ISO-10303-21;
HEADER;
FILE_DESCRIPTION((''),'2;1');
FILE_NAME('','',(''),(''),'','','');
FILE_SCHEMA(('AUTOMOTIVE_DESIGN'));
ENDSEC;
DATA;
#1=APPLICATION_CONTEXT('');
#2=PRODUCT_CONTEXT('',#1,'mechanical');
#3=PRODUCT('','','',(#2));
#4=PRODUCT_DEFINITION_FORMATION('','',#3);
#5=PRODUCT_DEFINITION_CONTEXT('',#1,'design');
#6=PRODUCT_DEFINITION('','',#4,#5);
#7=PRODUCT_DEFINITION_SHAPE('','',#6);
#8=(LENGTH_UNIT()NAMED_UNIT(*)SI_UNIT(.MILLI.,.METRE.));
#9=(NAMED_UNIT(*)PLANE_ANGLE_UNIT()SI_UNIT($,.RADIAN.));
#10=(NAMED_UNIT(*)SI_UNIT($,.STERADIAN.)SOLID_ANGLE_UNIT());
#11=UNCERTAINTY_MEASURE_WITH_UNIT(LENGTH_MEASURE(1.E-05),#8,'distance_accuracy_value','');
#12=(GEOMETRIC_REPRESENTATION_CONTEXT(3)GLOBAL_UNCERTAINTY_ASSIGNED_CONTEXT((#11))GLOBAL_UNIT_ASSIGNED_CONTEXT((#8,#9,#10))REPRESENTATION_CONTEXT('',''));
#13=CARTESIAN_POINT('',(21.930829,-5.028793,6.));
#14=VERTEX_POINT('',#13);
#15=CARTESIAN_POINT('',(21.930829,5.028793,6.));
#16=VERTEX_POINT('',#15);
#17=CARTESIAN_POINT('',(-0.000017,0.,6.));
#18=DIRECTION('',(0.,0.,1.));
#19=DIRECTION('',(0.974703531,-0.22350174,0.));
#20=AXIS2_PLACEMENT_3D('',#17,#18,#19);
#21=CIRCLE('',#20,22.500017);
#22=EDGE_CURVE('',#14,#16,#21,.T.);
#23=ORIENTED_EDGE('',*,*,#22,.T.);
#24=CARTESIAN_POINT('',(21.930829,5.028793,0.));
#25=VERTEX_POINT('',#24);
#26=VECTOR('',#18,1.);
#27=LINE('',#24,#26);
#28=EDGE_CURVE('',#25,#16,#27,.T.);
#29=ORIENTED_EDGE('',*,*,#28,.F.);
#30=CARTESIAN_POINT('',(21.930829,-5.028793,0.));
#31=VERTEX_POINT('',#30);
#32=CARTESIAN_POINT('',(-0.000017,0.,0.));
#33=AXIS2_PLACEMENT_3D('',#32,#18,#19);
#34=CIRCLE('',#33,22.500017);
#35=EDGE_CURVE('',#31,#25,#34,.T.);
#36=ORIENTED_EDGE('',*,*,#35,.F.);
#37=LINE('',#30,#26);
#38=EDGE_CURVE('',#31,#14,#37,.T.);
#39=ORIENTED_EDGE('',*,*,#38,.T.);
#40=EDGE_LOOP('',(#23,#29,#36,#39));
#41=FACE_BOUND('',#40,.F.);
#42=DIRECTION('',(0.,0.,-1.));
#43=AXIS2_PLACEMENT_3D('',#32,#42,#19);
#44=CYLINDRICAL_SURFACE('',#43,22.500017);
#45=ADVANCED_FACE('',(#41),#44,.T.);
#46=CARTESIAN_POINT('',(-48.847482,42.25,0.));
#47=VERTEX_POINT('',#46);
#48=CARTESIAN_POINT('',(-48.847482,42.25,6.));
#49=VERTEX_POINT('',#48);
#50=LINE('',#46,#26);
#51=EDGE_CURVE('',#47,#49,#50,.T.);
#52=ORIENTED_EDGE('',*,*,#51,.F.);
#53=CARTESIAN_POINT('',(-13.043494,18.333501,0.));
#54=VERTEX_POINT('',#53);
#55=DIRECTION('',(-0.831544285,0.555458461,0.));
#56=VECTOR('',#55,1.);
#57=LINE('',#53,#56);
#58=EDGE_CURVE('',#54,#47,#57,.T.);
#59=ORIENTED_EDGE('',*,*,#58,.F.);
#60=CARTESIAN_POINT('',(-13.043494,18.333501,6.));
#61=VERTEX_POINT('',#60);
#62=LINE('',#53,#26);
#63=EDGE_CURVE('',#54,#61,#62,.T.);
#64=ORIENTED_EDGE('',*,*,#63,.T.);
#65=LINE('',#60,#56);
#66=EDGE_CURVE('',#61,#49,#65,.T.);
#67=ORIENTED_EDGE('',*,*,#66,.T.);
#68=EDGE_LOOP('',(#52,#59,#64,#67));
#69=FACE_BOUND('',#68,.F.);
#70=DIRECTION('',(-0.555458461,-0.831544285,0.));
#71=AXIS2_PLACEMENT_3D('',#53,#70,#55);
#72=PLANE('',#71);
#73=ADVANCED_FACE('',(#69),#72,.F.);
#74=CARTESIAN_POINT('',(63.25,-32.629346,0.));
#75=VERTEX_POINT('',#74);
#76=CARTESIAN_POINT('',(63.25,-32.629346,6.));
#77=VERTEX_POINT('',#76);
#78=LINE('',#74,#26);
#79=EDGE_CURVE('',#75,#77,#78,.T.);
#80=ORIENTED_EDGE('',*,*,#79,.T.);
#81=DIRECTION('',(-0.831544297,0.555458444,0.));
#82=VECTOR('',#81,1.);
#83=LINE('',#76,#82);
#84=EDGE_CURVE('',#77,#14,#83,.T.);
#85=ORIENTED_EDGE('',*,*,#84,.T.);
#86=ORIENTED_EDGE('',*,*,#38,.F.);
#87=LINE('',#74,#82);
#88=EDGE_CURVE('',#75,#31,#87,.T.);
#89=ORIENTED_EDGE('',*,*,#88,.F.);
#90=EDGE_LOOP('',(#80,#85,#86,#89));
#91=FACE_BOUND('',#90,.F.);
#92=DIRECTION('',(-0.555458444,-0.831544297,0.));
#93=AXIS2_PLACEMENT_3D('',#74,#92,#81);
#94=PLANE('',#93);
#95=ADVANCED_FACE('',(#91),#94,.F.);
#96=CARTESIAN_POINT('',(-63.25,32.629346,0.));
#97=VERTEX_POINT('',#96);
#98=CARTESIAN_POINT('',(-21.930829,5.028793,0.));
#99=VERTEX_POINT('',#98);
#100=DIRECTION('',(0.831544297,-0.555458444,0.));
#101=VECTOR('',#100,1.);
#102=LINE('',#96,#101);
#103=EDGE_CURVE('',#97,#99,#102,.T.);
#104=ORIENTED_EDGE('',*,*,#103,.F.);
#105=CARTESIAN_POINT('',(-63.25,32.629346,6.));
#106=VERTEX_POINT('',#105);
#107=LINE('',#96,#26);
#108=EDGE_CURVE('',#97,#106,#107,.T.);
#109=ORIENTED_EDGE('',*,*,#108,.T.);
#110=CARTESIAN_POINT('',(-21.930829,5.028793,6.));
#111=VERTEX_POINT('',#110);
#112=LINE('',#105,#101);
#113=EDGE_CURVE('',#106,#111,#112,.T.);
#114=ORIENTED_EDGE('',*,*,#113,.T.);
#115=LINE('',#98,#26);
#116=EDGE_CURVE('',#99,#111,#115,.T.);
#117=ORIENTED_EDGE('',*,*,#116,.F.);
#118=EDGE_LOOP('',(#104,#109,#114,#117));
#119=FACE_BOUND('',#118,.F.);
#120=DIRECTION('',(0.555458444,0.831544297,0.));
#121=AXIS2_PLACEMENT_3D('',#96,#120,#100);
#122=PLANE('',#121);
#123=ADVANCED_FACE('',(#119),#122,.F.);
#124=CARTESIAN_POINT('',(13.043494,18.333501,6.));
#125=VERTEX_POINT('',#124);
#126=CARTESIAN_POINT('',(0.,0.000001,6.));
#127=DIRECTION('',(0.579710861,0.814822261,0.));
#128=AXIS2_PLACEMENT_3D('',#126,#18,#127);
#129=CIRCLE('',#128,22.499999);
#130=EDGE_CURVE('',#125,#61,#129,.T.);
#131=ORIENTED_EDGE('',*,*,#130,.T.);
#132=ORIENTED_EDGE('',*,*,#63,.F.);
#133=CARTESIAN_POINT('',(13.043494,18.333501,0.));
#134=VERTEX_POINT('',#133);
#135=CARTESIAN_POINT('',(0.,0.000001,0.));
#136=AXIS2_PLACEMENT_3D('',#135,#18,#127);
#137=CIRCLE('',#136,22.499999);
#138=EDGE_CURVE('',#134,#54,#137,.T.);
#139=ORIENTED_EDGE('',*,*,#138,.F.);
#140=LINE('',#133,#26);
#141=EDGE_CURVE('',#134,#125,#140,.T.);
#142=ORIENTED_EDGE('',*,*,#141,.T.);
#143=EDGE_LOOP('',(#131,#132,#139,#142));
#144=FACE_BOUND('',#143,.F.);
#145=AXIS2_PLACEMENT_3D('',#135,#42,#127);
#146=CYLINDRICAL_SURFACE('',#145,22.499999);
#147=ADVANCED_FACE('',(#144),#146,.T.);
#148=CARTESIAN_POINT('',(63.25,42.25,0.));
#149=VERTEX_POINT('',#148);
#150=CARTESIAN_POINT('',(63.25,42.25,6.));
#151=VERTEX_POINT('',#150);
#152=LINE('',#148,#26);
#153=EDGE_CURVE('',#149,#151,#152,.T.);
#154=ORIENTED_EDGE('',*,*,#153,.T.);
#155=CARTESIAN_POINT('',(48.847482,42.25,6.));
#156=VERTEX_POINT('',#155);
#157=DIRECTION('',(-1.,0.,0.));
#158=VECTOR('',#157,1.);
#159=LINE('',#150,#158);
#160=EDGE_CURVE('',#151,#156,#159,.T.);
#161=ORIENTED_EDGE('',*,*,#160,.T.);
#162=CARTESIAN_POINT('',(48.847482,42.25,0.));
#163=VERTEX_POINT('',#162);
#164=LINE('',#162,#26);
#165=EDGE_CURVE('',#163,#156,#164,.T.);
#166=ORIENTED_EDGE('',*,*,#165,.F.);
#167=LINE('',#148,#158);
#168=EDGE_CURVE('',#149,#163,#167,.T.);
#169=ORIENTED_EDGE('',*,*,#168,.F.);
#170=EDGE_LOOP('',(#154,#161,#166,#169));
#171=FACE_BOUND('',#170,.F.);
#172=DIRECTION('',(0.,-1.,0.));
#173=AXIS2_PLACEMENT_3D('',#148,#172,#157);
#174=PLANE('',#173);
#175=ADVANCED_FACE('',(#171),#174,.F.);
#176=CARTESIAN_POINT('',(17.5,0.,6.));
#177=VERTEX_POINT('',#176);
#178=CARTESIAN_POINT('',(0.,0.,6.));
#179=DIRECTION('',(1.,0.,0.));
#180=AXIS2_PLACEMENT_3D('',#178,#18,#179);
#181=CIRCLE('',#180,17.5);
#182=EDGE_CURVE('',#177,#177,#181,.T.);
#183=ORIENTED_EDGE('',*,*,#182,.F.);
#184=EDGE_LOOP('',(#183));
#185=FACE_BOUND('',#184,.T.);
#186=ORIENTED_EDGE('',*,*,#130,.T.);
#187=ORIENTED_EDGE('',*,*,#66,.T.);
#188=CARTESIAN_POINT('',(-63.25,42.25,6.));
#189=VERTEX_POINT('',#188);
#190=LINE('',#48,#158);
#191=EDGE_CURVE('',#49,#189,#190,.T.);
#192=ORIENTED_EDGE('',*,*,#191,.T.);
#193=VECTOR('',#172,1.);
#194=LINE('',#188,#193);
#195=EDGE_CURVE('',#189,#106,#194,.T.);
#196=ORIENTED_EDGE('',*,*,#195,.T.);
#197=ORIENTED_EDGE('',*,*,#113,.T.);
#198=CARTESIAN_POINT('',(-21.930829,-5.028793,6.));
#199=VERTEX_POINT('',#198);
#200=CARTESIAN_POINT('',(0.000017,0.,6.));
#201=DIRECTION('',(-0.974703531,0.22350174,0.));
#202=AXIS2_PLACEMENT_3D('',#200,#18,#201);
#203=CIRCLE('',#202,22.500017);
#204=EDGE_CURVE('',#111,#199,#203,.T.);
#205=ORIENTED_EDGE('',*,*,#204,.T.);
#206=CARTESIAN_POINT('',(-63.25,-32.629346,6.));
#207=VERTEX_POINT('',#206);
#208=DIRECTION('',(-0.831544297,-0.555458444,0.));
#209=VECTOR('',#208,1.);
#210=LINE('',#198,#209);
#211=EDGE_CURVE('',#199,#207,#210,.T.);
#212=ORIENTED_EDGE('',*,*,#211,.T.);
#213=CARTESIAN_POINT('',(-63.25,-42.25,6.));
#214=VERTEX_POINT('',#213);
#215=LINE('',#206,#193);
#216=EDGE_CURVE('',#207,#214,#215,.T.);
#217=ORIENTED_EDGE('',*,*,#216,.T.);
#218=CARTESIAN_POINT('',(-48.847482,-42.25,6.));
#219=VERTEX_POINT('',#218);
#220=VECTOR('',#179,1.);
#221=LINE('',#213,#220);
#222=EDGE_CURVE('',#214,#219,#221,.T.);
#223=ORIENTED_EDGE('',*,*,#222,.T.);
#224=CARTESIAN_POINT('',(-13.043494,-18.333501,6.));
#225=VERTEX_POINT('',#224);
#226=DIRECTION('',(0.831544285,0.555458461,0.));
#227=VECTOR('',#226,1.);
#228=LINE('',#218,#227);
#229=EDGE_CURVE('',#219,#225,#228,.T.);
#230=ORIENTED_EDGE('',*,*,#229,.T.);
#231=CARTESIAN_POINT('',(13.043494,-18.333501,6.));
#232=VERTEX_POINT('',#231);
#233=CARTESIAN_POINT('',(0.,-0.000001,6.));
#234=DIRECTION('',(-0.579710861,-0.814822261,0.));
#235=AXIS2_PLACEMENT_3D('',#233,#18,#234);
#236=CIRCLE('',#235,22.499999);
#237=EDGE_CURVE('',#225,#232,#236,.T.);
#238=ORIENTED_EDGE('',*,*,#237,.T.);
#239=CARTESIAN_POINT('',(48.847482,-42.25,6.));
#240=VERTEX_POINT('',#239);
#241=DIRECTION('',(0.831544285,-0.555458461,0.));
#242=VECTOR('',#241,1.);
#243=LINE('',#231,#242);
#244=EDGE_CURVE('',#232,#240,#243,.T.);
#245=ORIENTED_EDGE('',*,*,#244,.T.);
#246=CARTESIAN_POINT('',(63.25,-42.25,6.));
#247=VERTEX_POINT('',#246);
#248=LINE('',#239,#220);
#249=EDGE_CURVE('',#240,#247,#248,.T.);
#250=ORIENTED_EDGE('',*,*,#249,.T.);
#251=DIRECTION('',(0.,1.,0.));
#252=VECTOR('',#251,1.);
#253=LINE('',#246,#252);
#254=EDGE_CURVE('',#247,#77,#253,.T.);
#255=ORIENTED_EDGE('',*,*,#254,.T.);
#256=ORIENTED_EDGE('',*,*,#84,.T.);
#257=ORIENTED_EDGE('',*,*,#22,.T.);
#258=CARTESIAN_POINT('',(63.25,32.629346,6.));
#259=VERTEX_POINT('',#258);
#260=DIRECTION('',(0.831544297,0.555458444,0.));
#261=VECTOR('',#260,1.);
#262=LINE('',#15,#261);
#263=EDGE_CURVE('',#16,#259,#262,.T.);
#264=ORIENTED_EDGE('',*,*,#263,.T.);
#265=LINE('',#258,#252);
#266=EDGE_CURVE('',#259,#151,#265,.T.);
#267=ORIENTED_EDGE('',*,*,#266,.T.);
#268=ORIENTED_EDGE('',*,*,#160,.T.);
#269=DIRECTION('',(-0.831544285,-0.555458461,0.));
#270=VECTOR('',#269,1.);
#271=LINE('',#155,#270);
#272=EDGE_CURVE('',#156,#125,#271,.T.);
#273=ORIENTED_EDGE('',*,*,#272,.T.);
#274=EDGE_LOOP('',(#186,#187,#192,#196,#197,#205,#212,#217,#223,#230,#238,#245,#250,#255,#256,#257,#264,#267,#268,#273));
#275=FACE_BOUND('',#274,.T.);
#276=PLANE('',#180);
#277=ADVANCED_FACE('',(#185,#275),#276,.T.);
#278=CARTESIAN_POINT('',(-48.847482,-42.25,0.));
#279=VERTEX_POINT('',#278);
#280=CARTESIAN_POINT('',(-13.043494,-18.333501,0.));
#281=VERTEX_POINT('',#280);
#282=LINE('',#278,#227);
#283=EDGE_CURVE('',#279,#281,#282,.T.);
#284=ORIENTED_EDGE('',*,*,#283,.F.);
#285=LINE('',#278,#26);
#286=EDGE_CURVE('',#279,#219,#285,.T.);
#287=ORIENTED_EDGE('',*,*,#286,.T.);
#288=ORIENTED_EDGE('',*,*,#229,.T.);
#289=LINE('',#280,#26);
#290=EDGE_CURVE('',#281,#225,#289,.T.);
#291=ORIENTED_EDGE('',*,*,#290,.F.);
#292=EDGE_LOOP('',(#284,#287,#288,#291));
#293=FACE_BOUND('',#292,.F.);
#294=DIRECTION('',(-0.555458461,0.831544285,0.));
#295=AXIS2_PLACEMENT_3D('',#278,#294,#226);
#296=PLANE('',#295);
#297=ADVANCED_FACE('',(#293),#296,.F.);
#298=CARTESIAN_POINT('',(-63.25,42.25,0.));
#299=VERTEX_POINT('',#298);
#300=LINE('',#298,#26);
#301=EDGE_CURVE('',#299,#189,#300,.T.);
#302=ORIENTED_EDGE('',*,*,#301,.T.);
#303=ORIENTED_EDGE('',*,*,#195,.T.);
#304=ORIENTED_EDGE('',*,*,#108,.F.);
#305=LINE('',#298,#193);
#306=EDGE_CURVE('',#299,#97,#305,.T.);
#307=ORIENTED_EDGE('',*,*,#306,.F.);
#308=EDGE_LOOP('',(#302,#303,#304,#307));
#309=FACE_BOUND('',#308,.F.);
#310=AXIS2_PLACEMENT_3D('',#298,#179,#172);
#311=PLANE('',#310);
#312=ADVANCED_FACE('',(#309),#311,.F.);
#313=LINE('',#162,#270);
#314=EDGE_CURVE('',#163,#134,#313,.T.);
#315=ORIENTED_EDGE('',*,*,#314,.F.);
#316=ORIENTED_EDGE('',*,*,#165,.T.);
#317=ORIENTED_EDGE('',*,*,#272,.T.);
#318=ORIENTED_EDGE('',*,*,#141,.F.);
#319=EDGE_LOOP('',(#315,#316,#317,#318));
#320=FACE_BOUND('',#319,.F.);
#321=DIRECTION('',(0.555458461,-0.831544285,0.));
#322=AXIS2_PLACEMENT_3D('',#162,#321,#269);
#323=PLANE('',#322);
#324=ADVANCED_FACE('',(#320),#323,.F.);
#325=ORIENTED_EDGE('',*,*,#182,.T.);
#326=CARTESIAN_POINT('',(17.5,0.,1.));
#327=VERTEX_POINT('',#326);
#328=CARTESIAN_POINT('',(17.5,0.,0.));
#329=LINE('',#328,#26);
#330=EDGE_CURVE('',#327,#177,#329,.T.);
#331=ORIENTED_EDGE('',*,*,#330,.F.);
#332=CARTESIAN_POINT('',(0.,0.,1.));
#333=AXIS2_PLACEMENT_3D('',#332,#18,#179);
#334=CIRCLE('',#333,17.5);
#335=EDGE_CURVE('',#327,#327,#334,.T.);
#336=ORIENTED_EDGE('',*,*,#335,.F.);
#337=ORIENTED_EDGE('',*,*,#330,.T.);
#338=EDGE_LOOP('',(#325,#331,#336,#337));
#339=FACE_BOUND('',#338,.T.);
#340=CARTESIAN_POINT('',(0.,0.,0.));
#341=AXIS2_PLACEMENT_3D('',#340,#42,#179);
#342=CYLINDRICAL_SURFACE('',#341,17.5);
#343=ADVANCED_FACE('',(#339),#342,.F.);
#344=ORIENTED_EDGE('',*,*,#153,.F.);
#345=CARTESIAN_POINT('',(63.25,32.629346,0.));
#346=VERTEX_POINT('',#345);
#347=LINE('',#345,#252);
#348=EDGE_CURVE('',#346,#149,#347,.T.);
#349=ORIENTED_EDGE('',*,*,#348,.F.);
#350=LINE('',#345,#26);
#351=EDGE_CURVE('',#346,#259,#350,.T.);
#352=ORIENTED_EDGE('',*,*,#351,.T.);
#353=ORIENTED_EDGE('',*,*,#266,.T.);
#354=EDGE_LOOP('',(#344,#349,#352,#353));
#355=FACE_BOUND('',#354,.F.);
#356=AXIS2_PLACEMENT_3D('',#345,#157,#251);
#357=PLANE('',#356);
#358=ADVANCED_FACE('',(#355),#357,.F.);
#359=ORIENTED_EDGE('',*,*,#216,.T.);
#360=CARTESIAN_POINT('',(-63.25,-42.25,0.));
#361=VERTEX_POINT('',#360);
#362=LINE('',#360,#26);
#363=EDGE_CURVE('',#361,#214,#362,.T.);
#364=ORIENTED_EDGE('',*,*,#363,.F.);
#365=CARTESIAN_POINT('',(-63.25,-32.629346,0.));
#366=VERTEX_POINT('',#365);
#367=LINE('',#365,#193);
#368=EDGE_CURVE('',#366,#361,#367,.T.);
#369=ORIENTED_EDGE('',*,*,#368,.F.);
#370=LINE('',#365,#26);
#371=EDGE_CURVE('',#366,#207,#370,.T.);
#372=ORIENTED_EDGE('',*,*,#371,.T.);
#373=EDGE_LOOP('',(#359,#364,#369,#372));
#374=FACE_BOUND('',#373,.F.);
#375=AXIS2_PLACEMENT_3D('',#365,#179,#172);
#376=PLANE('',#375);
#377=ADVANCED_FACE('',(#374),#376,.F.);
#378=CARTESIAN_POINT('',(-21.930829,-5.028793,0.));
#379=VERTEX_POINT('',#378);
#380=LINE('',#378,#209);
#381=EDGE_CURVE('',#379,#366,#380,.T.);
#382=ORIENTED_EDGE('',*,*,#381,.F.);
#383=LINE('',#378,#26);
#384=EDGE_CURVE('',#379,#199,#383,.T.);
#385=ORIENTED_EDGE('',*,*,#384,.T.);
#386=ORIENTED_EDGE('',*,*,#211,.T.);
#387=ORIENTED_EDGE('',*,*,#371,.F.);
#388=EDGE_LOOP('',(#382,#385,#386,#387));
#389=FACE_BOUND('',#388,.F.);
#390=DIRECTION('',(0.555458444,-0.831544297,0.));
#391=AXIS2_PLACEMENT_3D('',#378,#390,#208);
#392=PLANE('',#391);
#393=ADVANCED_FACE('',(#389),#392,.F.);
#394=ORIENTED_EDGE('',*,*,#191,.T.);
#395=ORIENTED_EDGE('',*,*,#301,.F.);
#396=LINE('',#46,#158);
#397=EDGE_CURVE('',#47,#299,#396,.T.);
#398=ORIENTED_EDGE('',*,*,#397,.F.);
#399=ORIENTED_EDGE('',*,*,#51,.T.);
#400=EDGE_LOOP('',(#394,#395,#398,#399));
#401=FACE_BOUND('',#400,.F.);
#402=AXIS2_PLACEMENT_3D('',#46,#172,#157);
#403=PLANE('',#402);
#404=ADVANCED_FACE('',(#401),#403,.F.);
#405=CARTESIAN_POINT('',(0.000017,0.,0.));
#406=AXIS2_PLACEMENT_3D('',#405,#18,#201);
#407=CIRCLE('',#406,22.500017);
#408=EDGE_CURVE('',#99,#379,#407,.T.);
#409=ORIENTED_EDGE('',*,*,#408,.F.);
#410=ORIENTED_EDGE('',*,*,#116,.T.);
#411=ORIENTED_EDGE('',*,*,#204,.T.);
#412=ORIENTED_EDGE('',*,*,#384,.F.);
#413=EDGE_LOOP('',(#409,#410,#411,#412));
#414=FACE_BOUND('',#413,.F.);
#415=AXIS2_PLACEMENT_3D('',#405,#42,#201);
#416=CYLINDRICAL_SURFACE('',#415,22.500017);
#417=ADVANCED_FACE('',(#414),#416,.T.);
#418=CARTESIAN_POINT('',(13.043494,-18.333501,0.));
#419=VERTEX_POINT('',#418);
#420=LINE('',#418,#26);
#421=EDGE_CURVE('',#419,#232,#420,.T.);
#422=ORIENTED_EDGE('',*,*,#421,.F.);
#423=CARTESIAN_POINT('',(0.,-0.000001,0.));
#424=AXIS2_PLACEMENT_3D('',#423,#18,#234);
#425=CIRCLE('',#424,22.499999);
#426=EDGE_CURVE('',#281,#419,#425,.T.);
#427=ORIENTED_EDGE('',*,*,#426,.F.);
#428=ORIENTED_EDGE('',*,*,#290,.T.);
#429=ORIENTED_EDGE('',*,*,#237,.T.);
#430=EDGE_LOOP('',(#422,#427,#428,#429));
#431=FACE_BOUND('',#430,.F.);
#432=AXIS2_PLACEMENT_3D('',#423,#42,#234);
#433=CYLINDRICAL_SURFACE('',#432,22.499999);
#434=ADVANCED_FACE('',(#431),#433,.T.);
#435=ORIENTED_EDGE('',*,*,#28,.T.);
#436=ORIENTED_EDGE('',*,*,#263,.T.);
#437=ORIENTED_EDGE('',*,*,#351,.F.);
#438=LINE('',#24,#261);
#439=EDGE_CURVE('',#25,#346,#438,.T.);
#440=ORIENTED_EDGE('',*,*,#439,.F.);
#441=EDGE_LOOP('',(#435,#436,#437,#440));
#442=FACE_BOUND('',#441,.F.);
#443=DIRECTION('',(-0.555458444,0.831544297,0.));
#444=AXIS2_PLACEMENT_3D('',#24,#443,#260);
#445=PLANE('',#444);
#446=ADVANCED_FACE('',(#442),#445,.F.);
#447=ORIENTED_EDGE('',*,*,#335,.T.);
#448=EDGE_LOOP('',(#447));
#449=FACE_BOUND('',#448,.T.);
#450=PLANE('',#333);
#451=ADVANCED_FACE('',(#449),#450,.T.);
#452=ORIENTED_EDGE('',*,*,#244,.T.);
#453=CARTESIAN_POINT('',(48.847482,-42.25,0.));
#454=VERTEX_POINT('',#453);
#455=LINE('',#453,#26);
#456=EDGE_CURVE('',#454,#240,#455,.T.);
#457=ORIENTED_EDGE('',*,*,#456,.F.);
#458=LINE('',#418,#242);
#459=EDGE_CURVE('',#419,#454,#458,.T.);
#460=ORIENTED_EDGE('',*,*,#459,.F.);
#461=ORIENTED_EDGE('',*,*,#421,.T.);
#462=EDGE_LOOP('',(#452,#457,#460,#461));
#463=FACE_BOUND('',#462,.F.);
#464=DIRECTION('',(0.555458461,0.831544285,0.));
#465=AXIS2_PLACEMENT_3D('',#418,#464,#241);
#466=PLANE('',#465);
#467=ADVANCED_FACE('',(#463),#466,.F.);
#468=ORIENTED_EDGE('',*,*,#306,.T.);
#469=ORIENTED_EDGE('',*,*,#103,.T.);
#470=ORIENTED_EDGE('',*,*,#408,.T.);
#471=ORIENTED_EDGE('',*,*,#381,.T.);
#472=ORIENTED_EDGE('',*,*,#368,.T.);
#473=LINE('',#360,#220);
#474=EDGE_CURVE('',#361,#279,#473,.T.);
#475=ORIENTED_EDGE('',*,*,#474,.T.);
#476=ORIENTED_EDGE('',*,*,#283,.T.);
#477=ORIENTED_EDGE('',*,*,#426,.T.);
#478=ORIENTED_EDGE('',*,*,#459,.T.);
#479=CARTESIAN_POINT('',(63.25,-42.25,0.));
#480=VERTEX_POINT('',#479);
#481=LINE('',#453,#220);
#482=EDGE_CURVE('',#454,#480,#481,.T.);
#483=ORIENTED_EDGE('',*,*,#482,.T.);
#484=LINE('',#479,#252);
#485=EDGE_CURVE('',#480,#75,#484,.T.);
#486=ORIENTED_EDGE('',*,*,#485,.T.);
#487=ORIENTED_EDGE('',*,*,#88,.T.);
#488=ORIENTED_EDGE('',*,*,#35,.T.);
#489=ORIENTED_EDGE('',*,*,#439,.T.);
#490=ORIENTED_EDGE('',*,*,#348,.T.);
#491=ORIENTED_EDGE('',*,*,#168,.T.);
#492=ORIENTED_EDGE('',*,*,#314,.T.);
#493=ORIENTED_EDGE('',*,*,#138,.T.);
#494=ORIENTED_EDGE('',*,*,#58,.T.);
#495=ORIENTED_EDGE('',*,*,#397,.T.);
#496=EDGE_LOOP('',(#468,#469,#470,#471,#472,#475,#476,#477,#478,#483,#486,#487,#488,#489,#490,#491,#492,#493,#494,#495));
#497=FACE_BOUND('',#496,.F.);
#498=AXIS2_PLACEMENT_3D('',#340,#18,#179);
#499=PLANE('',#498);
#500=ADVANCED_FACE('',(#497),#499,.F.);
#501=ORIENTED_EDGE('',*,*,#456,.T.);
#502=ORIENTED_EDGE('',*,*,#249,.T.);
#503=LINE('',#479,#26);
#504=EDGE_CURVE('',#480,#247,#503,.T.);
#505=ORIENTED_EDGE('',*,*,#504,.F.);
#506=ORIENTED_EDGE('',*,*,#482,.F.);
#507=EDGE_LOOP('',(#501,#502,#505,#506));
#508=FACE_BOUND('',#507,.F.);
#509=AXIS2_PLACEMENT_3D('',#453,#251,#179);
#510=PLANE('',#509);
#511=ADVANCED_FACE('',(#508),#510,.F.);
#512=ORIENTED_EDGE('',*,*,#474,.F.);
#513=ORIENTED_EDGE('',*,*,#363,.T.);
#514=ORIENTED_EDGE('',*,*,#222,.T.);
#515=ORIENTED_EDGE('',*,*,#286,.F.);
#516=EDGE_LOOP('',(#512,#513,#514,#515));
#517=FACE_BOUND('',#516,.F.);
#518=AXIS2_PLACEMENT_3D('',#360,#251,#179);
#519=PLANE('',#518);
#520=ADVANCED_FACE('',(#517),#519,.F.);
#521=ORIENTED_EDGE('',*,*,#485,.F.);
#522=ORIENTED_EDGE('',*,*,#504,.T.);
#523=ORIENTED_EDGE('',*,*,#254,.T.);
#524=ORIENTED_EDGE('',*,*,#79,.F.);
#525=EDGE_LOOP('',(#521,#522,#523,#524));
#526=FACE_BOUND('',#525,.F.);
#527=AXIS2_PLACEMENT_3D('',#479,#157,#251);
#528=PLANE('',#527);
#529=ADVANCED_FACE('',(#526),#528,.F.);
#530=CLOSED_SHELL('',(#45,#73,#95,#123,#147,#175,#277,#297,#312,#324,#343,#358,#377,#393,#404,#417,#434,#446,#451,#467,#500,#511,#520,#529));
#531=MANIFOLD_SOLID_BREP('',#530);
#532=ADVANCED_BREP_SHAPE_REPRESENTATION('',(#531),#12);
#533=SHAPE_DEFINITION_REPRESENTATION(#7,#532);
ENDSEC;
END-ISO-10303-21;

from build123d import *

# Parameters (mm, degrees)
F0_R     = 17.5
F1_DEPTH = 6
F2_DEPTH = 1


with BuildPart() as f1:
    # F0 (on Top) → F1 (new body)
    with BuildSketch(Plane.XY):
        with BuildLine():
            Line((-63.25, -32.629346), (-63.25, -42.25))
            Line((-63.25, -42.25), (-48.847482, -42.25))
            Line((-48.847482, -42.25), (-13.043494, -18.333501))
            ThreePointArc((-13.043494, -18.333501), (0, -22.5), (13.043494, -18.333501))
            Line((13.043494, -18.333501), (48.847482, -42.25))
            Line((48.847482, -42.25), (63.25, -42.25))
            Line((63.25, -42.25), (63.25, -32.629346))
            Line((63.25, -32.629346), (21.930829, -5.028793))
            ThreePointArc((21.930829, -5.028793), (22.5, 0), (21.930829, 5.028793))
            Line((21.930829, 5.028793), (63.25, 32.629346))
            Line((63.25, 32.629346), (63.25, 42.25))
            Line((63.25, 42.25), (48.847482, 42.25))
            Line((48.847482, 42.25), (13.043494, 18.333501))
            ThreePointArc((13.043494, 18.333501), (0, 22.5), (-13.043494, 18.333501))
            Line((-13.043494, 18.333501), (-48.847482, 42.25))
            Line((-48.847482, 42.25), (-63.25, 42.25))
            Line((-63.25, 42.25), (-63.25, 32.629346))
            Line((-63.25, 32.629346), (-21.930829, 5.028793))
            ThreePointArc((-21.930829, 5.028793), (-22.5, 0), (-21.930829, -5.028793))
            Line((-21.930829, -5.028793), (-63.25, -32.629346))
        make_face()
        Circle(F0_R, mode=Mode.SUBTRACT)
    extrude(amount=F1_DEPTH)

    # F0 (on Top) → F2 (join)
    with BuildSketch(Plane.XY):
        Circle(F0_R)
    extrude(amount=F2_DEPTH)


solid = f1.part
